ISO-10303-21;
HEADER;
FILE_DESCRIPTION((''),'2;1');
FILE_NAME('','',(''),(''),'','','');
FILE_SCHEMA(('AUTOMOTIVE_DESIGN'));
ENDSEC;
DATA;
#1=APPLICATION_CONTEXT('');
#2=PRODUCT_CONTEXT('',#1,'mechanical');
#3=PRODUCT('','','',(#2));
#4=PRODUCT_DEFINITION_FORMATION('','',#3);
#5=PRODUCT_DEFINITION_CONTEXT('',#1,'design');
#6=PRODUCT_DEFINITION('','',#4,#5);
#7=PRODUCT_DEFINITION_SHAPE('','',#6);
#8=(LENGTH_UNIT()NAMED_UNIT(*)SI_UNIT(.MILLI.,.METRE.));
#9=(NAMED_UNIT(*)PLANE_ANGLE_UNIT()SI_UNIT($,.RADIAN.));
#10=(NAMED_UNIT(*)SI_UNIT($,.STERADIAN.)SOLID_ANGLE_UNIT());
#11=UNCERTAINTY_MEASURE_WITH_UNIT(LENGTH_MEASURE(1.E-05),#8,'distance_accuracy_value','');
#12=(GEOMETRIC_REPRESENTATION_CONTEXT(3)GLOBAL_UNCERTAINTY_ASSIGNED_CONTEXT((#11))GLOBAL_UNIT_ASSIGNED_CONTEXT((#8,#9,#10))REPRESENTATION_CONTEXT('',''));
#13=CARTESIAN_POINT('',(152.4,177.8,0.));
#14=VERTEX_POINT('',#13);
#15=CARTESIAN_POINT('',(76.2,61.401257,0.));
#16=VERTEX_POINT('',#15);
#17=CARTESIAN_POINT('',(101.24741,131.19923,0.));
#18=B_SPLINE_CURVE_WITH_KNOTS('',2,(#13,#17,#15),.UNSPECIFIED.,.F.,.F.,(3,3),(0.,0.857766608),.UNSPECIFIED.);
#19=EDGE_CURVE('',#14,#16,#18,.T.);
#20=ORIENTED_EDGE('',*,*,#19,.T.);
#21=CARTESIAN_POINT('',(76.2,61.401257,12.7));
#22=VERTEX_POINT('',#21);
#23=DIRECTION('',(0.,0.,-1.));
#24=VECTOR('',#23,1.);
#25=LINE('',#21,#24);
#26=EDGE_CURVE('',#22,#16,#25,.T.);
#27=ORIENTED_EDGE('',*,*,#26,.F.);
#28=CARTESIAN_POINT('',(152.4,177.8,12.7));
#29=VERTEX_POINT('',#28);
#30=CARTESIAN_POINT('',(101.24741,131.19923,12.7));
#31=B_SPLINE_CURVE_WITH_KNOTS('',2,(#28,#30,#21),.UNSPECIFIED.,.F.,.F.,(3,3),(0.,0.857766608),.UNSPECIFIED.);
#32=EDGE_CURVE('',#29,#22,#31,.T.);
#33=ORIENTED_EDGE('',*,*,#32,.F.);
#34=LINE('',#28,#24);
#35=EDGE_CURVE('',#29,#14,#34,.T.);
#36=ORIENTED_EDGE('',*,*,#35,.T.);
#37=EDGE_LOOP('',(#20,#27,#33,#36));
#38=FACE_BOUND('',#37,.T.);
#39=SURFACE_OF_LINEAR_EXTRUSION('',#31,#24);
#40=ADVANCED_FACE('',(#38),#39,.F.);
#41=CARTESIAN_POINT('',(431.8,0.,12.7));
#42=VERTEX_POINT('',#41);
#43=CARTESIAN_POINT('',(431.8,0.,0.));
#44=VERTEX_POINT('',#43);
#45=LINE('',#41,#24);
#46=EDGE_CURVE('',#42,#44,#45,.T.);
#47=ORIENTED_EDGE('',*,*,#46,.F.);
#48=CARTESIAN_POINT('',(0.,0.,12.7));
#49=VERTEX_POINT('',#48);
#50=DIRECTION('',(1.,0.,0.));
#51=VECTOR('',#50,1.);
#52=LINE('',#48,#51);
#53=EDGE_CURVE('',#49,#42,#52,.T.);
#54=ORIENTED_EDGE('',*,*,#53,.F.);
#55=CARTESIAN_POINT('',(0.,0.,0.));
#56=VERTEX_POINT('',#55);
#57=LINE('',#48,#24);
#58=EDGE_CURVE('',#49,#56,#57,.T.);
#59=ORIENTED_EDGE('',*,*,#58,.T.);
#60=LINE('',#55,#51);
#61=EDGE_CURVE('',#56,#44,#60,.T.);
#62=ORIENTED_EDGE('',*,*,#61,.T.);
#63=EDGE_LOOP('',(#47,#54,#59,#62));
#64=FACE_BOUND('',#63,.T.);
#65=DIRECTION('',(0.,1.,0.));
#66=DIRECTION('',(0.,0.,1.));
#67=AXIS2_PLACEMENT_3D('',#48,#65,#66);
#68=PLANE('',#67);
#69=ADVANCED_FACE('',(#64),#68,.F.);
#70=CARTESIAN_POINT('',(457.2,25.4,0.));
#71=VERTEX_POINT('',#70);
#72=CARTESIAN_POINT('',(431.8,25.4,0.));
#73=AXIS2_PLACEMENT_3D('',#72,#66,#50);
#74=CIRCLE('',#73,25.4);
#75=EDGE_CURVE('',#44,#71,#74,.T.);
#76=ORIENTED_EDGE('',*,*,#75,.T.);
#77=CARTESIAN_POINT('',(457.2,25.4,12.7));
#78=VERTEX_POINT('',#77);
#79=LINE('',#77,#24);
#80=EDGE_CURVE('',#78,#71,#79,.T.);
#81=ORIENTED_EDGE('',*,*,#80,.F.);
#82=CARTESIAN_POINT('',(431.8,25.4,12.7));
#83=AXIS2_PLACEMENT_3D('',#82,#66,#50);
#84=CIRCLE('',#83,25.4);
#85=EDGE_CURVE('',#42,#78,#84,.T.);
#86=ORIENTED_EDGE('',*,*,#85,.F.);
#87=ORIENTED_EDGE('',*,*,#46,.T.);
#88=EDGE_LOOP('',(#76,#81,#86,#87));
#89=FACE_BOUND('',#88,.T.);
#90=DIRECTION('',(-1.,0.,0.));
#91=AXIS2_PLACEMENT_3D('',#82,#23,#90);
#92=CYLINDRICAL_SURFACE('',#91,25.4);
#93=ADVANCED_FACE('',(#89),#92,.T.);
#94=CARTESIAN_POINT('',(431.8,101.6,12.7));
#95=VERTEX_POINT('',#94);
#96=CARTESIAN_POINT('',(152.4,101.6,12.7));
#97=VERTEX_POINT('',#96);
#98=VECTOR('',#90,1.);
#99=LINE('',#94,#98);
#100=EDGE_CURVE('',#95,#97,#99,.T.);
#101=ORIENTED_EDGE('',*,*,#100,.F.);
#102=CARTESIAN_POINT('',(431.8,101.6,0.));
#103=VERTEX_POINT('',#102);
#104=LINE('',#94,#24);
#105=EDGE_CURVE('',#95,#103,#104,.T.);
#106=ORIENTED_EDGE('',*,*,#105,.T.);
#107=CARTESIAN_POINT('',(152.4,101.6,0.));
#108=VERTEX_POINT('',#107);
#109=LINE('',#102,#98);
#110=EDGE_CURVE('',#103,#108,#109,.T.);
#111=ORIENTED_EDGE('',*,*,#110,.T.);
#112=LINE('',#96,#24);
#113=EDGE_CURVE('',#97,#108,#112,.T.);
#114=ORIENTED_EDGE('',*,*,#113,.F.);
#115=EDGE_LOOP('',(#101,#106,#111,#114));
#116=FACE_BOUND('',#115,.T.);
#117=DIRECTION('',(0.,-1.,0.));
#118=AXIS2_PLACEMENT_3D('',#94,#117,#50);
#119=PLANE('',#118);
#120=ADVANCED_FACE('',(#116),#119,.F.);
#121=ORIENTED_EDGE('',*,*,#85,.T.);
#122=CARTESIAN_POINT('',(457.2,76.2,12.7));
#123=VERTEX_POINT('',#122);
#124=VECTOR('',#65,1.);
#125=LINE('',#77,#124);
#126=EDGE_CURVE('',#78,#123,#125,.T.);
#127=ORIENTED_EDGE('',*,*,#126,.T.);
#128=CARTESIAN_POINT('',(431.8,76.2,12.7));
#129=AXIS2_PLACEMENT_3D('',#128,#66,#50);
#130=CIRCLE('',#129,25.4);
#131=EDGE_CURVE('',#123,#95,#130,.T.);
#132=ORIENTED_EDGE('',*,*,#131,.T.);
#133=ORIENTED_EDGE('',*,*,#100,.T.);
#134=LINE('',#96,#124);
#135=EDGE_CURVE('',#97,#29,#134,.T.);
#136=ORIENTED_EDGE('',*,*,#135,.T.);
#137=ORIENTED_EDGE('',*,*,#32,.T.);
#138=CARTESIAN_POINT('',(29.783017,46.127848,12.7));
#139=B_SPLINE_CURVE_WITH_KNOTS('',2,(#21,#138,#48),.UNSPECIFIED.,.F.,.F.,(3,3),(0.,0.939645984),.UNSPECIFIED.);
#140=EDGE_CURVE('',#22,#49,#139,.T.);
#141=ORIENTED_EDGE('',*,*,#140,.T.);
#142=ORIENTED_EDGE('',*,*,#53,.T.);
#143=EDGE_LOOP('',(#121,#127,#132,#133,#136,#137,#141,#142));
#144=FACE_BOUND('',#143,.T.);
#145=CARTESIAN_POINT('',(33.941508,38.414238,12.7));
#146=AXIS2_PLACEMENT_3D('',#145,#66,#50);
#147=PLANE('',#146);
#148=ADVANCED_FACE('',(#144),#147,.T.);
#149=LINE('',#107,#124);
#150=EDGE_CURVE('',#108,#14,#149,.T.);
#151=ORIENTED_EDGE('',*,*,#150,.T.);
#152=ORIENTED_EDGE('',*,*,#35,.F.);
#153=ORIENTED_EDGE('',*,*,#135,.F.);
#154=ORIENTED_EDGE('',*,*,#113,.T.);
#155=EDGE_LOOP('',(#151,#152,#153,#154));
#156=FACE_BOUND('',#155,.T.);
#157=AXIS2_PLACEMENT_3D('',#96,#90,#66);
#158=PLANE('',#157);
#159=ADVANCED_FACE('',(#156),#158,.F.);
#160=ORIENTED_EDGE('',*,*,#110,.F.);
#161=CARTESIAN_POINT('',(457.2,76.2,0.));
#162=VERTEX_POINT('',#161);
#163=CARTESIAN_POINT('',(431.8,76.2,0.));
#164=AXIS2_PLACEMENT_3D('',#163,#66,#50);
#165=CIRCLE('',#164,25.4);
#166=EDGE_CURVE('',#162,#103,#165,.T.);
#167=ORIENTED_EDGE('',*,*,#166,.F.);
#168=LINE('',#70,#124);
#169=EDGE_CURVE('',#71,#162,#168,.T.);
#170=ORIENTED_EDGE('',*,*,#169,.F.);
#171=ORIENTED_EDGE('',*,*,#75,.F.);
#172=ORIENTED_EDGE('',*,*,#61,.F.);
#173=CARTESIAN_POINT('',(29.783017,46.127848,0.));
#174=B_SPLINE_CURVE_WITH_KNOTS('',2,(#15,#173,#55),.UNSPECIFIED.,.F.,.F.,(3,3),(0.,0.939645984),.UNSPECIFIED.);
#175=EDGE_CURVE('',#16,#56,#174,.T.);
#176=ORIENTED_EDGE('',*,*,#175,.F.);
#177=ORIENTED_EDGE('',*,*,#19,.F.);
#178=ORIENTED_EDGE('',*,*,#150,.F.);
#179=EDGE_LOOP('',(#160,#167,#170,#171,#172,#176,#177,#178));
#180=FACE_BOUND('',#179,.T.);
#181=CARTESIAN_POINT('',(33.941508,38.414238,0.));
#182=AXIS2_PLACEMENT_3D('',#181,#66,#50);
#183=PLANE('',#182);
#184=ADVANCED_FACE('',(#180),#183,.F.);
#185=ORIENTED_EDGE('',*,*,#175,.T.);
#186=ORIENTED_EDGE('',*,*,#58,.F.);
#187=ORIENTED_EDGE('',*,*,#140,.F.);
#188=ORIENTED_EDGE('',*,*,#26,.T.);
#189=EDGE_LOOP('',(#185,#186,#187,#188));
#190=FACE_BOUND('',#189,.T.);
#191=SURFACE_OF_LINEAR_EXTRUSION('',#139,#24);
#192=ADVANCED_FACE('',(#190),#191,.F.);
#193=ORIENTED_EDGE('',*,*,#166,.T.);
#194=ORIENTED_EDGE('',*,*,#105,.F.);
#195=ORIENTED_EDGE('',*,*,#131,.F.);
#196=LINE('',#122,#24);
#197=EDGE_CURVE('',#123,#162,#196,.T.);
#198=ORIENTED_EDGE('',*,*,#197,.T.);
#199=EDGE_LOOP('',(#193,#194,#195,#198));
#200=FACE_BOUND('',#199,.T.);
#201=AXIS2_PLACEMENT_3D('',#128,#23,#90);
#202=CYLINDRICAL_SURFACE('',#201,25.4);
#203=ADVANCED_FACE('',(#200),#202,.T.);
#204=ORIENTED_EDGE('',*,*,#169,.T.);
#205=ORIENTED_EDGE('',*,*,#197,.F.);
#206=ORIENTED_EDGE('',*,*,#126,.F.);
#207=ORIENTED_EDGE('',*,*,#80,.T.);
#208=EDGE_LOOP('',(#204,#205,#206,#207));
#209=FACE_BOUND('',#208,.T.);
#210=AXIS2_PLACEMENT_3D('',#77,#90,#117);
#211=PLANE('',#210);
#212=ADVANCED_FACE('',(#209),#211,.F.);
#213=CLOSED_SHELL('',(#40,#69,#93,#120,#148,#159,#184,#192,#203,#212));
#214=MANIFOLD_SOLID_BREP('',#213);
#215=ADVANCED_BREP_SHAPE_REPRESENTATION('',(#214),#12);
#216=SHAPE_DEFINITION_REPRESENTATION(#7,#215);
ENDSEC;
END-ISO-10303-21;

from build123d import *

# Parameters (mm, degrees)
BOSS_EXTRUDE1_DEPTH = 12.7


with BuildPart() as part:
    # Sketch2 → Boss-Extrude1 (new body)
    with BuildSketch(Plane.XY):
        with BuildLine():
            Line((0, 0), (431.8, 0))
            ThreePointArc((431.8, 0), (449.760512242, 7.439487758), (457.2, 25.4))
            Line((457.2, 25.4), (457.2, 76.2))
            ThreePointArc((457.2, 76.2), (449.760512242, 94.160512242), (431.8, 101.6))
            Line((431.8, 101.6), (152.4, 101.6))
            Line((152.4, 101.6), (152.4, 177.8))
            add(Edge.make_bspline(
                [(76.2, 61.401256844), (101.247409755, 131.199229676), (152.4, 177.8)],
                knots=[0, 0, 0, 0.857766608, 0.857766608, 0.857766608], degree=2))
            add(Edge.make_bspline(
                [(0, 0), (29.783016718, 46.127848409), (76.2, 61.401256844)],
                knots=[0, 0, 0, 0.939645984, 0.939645984, 0.939645984], degree=2))
        make_face()
    extrude(amount=BOSS_EXTRUDE1_DEPTH)


solid = part.part
